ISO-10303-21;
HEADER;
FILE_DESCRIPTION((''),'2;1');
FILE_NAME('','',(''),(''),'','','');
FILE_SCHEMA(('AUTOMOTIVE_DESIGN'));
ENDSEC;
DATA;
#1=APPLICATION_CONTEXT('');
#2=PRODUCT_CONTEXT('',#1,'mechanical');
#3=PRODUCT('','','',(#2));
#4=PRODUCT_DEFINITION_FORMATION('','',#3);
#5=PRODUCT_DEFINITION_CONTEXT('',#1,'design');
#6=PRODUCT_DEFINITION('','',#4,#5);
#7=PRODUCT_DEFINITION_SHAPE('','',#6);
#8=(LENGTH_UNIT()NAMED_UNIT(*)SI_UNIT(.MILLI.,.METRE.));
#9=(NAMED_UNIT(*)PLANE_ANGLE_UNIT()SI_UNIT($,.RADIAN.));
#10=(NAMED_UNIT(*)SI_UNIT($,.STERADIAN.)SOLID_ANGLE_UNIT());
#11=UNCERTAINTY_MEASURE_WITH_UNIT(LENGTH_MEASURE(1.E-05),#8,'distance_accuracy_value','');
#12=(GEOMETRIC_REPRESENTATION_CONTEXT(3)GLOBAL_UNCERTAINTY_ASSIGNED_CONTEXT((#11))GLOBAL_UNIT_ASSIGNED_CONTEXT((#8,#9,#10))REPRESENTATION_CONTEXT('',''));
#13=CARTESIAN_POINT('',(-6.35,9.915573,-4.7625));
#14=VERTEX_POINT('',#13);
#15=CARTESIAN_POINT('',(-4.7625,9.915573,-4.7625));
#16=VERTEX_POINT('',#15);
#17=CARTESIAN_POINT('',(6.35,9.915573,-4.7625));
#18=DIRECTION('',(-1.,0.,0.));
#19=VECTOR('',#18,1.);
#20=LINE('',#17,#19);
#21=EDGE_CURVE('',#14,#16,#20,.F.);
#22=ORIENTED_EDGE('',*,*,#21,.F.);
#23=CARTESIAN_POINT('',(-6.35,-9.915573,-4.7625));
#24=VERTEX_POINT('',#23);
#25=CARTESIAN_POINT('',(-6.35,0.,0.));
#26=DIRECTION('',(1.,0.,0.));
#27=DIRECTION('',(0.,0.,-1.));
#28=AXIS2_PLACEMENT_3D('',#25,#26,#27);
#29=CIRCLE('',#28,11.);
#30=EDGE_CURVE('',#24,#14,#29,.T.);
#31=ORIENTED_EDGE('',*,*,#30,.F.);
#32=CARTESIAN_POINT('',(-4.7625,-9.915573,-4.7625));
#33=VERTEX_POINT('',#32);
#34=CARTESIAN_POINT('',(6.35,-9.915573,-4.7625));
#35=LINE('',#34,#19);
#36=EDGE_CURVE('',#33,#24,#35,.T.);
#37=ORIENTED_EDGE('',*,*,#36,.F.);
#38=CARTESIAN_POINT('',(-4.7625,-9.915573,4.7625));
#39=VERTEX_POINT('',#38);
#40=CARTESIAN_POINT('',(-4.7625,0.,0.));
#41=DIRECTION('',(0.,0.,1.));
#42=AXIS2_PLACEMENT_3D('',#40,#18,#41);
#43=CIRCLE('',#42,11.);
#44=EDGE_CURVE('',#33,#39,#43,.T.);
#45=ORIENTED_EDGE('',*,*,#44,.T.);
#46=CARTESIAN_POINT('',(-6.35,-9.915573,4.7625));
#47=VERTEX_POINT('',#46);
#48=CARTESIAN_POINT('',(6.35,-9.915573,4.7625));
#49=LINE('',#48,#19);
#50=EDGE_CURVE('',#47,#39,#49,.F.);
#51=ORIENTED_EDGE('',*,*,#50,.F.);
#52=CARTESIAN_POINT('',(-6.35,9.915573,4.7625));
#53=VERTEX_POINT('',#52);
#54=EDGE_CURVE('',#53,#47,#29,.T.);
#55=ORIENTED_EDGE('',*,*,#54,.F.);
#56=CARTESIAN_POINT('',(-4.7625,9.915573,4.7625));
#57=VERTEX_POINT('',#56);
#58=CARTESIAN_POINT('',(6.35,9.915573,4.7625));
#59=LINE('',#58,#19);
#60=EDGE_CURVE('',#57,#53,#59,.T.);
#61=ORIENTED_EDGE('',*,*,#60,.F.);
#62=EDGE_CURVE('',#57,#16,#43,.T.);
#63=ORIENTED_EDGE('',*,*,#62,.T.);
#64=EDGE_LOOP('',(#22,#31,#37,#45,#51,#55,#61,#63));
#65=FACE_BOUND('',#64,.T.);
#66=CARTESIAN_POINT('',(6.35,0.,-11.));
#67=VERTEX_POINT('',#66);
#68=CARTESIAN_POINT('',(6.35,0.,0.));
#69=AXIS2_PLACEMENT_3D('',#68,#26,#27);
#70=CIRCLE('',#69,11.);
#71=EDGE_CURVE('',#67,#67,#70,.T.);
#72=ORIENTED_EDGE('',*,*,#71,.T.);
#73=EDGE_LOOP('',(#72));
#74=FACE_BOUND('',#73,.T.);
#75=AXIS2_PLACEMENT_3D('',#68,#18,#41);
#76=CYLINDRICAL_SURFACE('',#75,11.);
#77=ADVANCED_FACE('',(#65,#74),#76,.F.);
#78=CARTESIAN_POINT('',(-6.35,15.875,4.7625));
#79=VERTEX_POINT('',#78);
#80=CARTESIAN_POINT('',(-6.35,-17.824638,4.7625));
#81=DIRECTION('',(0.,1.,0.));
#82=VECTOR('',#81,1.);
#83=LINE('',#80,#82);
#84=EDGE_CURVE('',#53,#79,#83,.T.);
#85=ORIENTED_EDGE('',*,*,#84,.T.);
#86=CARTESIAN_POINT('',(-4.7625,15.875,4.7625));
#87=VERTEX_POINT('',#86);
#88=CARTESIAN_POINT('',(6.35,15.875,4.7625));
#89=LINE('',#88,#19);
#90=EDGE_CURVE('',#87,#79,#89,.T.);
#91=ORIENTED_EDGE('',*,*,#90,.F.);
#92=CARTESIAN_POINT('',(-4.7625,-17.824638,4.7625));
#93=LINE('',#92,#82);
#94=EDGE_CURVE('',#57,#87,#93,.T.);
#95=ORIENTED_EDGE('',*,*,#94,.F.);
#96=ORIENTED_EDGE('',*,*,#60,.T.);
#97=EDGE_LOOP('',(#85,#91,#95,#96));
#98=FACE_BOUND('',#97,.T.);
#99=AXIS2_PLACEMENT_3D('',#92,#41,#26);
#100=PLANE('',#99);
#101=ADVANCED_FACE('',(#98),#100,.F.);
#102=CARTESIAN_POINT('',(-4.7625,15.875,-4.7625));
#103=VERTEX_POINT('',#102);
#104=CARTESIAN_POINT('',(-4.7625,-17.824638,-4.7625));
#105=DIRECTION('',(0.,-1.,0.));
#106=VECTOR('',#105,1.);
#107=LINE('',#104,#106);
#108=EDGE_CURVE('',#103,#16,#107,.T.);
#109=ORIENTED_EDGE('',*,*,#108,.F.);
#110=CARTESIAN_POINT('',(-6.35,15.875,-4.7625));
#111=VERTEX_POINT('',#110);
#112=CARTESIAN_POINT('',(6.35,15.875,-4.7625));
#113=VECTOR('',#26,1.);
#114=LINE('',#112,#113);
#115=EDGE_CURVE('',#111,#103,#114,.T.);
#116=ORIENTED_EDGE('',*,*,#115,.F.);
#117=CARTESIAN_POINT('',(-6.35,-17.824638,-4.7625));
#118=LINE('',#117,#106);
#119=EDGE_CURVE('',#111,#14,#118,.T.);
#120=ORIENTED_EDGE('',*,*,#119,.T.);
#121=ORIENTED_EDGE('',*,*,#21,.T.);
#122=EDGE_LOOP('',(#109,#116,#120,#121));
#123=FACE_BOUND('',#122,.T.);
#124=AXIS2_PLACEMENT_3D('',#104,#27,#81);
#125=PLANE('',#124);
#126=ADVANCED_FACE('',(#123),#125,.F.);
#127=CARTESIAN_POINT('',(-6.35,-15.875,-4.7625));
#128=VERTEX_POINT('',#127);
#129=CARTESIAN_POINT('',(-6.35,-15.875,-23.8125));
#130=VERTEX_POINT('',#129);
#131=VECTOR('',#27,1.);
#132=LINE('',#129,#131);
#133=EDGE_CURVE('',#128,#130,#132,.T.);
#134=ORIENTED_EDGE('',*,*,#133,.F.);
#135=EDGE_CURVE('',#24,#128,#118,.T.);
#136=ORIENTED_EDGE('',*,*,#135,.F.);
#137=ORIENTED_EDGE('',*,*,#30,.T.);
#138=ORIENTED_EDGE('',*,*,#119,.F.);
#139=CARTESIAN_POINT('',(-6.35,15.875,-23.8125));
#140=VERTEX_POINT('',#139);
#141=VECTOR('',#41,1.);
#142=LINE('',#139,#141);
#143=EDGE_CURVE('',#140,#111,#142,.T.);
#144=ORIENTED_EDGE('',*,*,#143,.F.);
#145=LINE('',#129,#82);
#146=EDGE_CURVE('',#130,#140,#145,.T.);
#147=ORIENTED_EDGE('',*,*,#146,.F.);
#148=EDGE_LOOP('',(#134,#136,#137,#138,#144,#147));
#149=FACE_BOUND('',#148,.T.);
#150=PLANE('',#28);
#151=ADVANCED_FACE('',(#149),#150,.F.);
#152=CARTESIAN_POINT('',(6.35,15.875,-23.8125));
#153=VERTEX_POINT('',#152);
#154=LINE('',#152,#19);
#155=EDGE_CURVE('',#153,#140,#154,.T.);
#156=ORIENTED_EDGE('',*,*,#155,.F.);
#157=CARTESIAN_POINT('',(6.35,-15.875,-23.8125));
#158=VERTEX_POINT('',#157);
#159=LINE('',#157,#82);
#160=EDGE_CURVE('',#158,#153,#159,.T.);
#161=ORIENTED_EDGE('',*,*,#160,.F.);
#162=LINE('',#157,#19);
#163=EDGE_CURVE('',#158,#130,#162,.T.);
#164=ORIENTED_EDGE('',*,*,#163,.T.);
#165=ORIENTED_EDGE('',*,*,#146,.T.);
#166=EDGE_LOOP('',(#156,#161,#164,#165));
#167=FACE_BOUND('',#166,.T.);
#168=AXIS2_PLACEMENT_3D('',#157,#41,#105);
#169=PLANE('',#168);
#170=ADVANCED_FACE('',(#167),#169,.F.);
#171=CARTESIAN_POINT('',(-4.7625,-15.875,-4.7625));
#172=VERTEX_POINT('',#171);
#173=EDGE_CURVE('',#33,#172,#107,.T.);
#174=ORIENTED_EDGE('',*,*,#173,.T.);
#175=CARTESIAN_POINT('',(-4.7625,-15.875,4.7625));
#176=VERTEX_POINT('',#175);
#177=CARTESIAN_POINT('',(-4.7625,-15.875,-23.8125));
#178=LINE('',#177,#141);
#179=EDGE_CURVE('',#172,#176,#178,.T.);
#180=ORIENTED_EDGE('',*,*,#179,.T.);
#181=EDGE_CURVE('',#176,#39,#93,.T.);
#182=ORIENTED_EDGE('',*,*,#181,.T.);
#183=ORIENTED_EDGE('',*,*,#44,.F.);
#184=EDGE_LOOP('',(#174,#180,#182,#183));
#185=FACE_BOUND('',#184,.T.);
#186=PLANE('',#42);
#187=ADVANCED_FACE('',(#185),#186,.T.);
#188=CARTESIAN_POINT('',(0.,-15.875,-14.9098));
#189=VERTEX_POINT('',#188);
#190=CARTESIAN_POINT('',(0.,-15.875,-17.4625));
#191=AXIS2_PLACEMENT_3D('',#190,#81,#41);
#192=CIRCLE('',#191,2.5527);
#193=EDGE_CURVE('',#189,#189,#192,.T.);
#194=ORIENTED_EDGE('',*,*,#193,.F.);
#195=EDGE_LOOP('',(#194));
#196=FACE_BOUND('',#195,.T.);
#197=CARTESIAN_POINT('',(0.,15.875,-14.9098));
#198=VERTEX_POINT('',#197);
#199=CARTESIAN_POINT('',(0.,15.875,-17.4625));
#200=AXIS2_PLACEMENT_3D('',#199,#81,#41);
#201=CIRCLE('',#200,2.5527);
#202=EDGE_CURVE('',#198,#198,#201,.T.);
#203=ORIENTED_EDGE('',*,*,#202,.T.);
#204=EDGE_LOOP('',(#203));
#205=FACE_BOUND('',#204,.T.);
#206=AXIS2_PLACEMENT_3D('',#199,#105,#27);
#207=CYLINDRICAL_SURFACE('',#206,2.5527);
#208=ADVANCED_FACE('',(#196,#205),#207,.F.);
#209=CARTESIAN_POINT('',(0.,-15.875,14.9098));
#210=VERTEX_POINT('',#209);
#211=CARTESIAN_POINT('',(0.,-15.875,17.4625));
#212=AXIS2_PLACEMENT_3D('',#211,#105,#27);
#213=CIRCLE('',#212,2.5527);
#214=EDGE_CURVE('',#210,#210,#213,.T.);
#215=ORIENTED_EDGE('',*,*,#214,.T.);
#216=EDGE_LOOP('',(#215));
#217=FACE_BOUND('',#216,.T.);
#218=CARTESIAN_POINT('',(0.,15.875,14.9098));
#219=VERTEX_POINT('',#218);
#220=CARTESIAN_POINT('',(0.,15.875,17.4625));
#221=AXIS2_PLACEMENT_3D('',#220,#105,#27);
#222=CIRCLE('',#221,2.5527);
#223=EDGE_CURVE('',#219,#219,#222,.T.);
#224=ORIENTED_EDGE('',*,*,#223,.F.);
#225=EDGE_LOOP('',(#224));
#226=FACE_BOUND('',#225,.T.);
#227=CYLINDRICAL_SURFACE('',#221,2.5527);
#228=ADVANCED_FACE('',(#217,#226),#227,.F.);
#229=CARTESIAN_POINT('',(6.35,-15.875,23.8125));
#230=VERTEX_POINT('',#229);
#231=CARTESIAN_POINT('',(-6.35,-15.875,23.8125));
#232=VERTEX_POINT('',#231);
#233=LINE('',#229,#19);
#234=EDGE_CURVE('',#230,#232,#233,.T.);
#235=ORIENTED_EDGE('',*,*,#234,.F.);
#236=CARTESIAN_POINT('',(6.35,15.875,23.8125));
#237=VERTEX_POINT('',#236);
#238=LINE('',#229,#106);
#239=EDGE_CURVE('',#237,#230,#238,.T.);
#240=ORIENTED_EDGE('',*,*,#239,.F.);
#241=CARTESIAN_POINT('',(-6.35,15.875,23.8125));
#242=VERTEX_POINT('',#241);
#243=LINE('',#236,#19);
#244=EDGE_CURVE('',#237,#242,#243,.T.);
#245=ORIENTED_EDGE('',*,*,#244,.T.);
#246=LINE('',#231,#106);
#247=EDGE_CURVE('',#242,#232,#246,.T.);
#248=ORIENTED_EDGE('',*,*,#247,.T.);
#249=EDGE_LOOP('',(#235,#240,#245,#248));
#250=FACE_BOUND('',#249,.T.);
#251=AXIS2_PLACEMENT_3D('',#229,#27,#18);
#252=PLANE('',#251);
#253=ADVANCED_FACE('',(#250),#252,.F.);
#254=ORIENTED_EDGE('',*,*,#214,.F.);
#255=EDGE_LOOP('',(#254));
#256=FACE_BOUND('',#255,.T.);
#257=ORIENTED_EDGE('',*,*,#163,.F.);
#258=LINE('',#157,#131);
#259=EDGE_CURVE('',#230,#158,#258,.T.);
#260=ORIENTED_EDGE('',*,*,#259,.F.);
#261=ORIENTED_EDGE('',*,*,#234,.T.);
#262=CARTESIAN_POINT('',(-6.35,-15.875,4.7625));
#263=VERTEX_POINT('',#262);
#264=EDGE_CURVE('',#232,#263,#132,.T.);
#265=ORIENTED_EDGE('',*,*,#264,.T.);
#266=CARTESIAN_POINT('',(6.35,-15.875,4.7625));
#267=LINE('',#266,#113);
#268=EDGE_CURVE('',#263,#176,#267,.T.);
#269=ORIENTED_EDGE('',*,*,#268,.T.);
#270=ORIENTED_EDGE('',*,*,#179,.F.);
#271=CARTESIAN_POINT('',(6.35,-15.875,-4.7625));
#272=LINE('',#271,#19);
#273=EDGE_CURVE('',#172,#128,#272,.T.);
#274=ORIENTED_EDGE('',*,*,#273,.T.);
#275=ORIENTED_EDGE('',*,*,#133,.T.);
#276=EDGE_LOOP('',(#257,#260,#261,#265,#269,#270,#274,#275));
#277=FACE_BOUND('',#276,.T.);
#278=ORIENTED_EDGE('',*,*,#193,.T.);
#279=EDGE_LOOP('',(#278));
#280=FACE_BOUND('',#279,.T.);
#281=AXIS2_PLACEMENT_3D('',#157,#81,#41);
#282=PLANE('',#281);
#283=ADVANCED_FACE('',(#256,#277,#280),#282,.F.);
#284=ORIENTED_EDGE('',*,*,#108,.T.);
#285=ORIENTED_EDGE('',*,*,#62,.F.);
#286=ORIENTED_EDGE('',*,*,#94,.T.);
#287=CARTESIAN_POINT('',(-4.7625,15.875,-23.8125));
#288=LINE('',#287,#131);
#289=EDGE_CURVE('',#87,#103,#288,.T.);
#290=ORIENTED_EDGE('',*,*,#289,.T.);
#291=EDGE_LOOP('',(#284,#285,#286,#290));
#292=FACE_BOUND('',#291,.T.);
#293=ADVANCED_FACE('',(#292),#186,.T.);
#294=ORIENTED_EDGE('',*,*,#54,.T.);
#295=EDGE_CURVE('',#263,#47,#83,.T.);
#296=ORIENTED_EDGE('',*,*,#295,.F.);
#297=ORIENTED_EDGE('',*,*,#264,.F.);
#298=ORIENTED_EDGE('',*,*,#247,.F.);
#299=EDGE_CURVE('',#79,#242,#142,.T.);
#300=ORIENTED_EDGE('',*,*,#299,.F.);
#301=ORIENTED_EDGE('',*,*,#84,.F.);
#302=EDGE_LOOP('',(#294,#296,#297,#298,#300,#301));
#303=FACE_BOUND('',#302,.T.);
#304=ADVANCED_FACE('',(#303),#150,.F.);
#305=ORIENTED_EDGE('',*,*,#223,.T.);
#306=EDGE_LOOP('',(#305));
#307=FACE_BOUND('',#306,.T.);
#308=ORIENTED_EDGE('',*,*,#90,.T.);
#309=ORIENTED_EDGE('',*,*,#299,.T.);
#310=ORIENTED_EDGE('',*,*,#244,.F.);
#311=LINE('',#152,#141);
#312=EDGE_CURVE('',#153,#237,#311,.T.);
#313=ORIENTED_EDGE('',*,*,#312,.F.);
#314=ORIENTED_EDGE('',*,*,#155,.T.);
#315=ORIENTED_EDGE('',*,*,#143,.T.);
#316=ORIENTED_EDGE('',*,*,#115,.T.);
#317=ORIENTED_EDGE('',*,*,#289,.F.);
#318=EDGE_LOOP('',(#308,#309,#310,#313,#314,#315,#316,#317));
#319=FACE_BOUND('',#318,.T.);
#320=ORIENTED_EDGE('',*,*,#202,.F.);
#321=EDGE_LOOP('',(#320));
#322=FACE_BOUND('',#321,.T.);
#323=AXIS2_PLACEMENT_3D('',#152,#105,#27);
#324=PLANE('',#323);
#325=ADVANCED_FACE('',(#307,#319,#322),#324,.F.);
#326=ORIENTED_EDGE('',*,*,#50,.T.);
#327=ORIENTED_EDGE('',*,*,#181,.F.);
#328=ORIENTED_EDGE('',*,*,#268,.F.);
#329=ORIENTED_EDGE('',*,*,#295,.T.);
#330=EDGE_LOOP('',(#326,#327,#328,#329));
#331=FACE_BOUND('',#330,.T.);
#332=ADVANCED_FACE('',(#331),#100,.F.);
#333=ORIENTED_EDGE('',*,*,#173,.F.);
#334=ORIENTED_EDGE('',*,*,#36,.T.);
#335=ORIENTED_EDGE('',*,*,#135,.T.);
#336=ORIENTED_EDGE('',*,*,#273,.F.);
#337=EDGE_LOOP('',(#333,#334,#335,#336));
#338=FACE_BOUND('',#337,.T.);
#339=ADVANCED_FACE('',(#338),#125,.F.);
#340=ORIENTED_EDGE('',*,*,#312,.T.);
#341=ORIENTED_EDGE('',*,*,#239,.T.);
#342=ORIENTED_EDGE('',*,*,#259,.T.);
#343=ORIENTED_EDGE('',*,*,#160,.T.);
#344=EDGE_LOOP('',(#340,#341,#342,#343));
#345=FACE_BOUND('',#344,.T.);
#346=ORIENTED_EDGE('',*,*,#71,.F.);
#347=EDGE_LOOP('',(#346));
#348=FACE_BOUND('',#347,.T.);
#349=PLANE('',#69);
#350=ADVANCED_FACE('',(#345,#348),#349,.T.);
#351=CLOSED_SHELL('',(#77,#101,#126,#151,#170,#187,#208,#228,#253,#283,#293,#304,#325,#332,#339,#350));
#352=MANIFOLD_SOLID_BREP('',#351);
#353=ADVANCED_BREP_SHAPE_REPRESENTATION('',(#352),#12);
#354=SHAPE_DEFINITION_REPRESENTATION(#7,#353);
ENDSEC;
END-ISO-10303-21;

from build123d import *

# Parameters (mm, degrees)
SKETCH1_W           = 47.625
SKETCH1_H           = 31.75
SKETCH1_R           = 11
BOSS_EXTRUDE1_DEPTH = 6.35
SKETCH3_R           = 2.5527
CUT_EXTRUDE2_DEPTH  = 41.192289761
SKETCH4_W           = 9.525
SKETCH4_H           = 35.649275258
CUT_EXTRUDE3_DEPTH  = 1.5875


with BuildPart() as part:
    # Sketch1 → Boss-Extrude1 (new, symmetric)
    with BuildSketch(Plane(origin=(0, 0, 0), x_dir=(0, 0, -1), z_dir=(1, 0, 0))):
        Rectangle(SKETCH1_W, SKETCH1_H)
        Circle(SKETCH1_R, mode=Mode.SUBTRACT)
    extrude(amount=BOSS_EXTRUDE1_DEPTH, both=True)

    # Sketch3 → Cut-Extrude2 (cut, through all)
    with BuildSketch(Plane.XZ.offset(15.875)):
        with Locations(Location((0, 17.4625, 0), (0, 0, 270))):
            Circle(SKETCH3_R)
    cut_extrude2 = extrude(amount=-CUT_EXTRUDE2_DEPTH, mode=Mode.SUBTRACT)

    # Mirror1: Cut-Extrude2 across plane
    add(cut_extrude2.mirror(Plane.XY), mode=Mode.SUBTRACT)

    # Sketch4 → Cut-Extrude3 (cut)
    with BuildSketch(Plane.ZY.offset(6.35)):
        Rectangle(SKETCH4_W, SKETCH4_H)
    extrude(amount=-CUT_EXTRUDE3_DEPTH, mode=Mode.SUBTRACT)


solid = part.part
